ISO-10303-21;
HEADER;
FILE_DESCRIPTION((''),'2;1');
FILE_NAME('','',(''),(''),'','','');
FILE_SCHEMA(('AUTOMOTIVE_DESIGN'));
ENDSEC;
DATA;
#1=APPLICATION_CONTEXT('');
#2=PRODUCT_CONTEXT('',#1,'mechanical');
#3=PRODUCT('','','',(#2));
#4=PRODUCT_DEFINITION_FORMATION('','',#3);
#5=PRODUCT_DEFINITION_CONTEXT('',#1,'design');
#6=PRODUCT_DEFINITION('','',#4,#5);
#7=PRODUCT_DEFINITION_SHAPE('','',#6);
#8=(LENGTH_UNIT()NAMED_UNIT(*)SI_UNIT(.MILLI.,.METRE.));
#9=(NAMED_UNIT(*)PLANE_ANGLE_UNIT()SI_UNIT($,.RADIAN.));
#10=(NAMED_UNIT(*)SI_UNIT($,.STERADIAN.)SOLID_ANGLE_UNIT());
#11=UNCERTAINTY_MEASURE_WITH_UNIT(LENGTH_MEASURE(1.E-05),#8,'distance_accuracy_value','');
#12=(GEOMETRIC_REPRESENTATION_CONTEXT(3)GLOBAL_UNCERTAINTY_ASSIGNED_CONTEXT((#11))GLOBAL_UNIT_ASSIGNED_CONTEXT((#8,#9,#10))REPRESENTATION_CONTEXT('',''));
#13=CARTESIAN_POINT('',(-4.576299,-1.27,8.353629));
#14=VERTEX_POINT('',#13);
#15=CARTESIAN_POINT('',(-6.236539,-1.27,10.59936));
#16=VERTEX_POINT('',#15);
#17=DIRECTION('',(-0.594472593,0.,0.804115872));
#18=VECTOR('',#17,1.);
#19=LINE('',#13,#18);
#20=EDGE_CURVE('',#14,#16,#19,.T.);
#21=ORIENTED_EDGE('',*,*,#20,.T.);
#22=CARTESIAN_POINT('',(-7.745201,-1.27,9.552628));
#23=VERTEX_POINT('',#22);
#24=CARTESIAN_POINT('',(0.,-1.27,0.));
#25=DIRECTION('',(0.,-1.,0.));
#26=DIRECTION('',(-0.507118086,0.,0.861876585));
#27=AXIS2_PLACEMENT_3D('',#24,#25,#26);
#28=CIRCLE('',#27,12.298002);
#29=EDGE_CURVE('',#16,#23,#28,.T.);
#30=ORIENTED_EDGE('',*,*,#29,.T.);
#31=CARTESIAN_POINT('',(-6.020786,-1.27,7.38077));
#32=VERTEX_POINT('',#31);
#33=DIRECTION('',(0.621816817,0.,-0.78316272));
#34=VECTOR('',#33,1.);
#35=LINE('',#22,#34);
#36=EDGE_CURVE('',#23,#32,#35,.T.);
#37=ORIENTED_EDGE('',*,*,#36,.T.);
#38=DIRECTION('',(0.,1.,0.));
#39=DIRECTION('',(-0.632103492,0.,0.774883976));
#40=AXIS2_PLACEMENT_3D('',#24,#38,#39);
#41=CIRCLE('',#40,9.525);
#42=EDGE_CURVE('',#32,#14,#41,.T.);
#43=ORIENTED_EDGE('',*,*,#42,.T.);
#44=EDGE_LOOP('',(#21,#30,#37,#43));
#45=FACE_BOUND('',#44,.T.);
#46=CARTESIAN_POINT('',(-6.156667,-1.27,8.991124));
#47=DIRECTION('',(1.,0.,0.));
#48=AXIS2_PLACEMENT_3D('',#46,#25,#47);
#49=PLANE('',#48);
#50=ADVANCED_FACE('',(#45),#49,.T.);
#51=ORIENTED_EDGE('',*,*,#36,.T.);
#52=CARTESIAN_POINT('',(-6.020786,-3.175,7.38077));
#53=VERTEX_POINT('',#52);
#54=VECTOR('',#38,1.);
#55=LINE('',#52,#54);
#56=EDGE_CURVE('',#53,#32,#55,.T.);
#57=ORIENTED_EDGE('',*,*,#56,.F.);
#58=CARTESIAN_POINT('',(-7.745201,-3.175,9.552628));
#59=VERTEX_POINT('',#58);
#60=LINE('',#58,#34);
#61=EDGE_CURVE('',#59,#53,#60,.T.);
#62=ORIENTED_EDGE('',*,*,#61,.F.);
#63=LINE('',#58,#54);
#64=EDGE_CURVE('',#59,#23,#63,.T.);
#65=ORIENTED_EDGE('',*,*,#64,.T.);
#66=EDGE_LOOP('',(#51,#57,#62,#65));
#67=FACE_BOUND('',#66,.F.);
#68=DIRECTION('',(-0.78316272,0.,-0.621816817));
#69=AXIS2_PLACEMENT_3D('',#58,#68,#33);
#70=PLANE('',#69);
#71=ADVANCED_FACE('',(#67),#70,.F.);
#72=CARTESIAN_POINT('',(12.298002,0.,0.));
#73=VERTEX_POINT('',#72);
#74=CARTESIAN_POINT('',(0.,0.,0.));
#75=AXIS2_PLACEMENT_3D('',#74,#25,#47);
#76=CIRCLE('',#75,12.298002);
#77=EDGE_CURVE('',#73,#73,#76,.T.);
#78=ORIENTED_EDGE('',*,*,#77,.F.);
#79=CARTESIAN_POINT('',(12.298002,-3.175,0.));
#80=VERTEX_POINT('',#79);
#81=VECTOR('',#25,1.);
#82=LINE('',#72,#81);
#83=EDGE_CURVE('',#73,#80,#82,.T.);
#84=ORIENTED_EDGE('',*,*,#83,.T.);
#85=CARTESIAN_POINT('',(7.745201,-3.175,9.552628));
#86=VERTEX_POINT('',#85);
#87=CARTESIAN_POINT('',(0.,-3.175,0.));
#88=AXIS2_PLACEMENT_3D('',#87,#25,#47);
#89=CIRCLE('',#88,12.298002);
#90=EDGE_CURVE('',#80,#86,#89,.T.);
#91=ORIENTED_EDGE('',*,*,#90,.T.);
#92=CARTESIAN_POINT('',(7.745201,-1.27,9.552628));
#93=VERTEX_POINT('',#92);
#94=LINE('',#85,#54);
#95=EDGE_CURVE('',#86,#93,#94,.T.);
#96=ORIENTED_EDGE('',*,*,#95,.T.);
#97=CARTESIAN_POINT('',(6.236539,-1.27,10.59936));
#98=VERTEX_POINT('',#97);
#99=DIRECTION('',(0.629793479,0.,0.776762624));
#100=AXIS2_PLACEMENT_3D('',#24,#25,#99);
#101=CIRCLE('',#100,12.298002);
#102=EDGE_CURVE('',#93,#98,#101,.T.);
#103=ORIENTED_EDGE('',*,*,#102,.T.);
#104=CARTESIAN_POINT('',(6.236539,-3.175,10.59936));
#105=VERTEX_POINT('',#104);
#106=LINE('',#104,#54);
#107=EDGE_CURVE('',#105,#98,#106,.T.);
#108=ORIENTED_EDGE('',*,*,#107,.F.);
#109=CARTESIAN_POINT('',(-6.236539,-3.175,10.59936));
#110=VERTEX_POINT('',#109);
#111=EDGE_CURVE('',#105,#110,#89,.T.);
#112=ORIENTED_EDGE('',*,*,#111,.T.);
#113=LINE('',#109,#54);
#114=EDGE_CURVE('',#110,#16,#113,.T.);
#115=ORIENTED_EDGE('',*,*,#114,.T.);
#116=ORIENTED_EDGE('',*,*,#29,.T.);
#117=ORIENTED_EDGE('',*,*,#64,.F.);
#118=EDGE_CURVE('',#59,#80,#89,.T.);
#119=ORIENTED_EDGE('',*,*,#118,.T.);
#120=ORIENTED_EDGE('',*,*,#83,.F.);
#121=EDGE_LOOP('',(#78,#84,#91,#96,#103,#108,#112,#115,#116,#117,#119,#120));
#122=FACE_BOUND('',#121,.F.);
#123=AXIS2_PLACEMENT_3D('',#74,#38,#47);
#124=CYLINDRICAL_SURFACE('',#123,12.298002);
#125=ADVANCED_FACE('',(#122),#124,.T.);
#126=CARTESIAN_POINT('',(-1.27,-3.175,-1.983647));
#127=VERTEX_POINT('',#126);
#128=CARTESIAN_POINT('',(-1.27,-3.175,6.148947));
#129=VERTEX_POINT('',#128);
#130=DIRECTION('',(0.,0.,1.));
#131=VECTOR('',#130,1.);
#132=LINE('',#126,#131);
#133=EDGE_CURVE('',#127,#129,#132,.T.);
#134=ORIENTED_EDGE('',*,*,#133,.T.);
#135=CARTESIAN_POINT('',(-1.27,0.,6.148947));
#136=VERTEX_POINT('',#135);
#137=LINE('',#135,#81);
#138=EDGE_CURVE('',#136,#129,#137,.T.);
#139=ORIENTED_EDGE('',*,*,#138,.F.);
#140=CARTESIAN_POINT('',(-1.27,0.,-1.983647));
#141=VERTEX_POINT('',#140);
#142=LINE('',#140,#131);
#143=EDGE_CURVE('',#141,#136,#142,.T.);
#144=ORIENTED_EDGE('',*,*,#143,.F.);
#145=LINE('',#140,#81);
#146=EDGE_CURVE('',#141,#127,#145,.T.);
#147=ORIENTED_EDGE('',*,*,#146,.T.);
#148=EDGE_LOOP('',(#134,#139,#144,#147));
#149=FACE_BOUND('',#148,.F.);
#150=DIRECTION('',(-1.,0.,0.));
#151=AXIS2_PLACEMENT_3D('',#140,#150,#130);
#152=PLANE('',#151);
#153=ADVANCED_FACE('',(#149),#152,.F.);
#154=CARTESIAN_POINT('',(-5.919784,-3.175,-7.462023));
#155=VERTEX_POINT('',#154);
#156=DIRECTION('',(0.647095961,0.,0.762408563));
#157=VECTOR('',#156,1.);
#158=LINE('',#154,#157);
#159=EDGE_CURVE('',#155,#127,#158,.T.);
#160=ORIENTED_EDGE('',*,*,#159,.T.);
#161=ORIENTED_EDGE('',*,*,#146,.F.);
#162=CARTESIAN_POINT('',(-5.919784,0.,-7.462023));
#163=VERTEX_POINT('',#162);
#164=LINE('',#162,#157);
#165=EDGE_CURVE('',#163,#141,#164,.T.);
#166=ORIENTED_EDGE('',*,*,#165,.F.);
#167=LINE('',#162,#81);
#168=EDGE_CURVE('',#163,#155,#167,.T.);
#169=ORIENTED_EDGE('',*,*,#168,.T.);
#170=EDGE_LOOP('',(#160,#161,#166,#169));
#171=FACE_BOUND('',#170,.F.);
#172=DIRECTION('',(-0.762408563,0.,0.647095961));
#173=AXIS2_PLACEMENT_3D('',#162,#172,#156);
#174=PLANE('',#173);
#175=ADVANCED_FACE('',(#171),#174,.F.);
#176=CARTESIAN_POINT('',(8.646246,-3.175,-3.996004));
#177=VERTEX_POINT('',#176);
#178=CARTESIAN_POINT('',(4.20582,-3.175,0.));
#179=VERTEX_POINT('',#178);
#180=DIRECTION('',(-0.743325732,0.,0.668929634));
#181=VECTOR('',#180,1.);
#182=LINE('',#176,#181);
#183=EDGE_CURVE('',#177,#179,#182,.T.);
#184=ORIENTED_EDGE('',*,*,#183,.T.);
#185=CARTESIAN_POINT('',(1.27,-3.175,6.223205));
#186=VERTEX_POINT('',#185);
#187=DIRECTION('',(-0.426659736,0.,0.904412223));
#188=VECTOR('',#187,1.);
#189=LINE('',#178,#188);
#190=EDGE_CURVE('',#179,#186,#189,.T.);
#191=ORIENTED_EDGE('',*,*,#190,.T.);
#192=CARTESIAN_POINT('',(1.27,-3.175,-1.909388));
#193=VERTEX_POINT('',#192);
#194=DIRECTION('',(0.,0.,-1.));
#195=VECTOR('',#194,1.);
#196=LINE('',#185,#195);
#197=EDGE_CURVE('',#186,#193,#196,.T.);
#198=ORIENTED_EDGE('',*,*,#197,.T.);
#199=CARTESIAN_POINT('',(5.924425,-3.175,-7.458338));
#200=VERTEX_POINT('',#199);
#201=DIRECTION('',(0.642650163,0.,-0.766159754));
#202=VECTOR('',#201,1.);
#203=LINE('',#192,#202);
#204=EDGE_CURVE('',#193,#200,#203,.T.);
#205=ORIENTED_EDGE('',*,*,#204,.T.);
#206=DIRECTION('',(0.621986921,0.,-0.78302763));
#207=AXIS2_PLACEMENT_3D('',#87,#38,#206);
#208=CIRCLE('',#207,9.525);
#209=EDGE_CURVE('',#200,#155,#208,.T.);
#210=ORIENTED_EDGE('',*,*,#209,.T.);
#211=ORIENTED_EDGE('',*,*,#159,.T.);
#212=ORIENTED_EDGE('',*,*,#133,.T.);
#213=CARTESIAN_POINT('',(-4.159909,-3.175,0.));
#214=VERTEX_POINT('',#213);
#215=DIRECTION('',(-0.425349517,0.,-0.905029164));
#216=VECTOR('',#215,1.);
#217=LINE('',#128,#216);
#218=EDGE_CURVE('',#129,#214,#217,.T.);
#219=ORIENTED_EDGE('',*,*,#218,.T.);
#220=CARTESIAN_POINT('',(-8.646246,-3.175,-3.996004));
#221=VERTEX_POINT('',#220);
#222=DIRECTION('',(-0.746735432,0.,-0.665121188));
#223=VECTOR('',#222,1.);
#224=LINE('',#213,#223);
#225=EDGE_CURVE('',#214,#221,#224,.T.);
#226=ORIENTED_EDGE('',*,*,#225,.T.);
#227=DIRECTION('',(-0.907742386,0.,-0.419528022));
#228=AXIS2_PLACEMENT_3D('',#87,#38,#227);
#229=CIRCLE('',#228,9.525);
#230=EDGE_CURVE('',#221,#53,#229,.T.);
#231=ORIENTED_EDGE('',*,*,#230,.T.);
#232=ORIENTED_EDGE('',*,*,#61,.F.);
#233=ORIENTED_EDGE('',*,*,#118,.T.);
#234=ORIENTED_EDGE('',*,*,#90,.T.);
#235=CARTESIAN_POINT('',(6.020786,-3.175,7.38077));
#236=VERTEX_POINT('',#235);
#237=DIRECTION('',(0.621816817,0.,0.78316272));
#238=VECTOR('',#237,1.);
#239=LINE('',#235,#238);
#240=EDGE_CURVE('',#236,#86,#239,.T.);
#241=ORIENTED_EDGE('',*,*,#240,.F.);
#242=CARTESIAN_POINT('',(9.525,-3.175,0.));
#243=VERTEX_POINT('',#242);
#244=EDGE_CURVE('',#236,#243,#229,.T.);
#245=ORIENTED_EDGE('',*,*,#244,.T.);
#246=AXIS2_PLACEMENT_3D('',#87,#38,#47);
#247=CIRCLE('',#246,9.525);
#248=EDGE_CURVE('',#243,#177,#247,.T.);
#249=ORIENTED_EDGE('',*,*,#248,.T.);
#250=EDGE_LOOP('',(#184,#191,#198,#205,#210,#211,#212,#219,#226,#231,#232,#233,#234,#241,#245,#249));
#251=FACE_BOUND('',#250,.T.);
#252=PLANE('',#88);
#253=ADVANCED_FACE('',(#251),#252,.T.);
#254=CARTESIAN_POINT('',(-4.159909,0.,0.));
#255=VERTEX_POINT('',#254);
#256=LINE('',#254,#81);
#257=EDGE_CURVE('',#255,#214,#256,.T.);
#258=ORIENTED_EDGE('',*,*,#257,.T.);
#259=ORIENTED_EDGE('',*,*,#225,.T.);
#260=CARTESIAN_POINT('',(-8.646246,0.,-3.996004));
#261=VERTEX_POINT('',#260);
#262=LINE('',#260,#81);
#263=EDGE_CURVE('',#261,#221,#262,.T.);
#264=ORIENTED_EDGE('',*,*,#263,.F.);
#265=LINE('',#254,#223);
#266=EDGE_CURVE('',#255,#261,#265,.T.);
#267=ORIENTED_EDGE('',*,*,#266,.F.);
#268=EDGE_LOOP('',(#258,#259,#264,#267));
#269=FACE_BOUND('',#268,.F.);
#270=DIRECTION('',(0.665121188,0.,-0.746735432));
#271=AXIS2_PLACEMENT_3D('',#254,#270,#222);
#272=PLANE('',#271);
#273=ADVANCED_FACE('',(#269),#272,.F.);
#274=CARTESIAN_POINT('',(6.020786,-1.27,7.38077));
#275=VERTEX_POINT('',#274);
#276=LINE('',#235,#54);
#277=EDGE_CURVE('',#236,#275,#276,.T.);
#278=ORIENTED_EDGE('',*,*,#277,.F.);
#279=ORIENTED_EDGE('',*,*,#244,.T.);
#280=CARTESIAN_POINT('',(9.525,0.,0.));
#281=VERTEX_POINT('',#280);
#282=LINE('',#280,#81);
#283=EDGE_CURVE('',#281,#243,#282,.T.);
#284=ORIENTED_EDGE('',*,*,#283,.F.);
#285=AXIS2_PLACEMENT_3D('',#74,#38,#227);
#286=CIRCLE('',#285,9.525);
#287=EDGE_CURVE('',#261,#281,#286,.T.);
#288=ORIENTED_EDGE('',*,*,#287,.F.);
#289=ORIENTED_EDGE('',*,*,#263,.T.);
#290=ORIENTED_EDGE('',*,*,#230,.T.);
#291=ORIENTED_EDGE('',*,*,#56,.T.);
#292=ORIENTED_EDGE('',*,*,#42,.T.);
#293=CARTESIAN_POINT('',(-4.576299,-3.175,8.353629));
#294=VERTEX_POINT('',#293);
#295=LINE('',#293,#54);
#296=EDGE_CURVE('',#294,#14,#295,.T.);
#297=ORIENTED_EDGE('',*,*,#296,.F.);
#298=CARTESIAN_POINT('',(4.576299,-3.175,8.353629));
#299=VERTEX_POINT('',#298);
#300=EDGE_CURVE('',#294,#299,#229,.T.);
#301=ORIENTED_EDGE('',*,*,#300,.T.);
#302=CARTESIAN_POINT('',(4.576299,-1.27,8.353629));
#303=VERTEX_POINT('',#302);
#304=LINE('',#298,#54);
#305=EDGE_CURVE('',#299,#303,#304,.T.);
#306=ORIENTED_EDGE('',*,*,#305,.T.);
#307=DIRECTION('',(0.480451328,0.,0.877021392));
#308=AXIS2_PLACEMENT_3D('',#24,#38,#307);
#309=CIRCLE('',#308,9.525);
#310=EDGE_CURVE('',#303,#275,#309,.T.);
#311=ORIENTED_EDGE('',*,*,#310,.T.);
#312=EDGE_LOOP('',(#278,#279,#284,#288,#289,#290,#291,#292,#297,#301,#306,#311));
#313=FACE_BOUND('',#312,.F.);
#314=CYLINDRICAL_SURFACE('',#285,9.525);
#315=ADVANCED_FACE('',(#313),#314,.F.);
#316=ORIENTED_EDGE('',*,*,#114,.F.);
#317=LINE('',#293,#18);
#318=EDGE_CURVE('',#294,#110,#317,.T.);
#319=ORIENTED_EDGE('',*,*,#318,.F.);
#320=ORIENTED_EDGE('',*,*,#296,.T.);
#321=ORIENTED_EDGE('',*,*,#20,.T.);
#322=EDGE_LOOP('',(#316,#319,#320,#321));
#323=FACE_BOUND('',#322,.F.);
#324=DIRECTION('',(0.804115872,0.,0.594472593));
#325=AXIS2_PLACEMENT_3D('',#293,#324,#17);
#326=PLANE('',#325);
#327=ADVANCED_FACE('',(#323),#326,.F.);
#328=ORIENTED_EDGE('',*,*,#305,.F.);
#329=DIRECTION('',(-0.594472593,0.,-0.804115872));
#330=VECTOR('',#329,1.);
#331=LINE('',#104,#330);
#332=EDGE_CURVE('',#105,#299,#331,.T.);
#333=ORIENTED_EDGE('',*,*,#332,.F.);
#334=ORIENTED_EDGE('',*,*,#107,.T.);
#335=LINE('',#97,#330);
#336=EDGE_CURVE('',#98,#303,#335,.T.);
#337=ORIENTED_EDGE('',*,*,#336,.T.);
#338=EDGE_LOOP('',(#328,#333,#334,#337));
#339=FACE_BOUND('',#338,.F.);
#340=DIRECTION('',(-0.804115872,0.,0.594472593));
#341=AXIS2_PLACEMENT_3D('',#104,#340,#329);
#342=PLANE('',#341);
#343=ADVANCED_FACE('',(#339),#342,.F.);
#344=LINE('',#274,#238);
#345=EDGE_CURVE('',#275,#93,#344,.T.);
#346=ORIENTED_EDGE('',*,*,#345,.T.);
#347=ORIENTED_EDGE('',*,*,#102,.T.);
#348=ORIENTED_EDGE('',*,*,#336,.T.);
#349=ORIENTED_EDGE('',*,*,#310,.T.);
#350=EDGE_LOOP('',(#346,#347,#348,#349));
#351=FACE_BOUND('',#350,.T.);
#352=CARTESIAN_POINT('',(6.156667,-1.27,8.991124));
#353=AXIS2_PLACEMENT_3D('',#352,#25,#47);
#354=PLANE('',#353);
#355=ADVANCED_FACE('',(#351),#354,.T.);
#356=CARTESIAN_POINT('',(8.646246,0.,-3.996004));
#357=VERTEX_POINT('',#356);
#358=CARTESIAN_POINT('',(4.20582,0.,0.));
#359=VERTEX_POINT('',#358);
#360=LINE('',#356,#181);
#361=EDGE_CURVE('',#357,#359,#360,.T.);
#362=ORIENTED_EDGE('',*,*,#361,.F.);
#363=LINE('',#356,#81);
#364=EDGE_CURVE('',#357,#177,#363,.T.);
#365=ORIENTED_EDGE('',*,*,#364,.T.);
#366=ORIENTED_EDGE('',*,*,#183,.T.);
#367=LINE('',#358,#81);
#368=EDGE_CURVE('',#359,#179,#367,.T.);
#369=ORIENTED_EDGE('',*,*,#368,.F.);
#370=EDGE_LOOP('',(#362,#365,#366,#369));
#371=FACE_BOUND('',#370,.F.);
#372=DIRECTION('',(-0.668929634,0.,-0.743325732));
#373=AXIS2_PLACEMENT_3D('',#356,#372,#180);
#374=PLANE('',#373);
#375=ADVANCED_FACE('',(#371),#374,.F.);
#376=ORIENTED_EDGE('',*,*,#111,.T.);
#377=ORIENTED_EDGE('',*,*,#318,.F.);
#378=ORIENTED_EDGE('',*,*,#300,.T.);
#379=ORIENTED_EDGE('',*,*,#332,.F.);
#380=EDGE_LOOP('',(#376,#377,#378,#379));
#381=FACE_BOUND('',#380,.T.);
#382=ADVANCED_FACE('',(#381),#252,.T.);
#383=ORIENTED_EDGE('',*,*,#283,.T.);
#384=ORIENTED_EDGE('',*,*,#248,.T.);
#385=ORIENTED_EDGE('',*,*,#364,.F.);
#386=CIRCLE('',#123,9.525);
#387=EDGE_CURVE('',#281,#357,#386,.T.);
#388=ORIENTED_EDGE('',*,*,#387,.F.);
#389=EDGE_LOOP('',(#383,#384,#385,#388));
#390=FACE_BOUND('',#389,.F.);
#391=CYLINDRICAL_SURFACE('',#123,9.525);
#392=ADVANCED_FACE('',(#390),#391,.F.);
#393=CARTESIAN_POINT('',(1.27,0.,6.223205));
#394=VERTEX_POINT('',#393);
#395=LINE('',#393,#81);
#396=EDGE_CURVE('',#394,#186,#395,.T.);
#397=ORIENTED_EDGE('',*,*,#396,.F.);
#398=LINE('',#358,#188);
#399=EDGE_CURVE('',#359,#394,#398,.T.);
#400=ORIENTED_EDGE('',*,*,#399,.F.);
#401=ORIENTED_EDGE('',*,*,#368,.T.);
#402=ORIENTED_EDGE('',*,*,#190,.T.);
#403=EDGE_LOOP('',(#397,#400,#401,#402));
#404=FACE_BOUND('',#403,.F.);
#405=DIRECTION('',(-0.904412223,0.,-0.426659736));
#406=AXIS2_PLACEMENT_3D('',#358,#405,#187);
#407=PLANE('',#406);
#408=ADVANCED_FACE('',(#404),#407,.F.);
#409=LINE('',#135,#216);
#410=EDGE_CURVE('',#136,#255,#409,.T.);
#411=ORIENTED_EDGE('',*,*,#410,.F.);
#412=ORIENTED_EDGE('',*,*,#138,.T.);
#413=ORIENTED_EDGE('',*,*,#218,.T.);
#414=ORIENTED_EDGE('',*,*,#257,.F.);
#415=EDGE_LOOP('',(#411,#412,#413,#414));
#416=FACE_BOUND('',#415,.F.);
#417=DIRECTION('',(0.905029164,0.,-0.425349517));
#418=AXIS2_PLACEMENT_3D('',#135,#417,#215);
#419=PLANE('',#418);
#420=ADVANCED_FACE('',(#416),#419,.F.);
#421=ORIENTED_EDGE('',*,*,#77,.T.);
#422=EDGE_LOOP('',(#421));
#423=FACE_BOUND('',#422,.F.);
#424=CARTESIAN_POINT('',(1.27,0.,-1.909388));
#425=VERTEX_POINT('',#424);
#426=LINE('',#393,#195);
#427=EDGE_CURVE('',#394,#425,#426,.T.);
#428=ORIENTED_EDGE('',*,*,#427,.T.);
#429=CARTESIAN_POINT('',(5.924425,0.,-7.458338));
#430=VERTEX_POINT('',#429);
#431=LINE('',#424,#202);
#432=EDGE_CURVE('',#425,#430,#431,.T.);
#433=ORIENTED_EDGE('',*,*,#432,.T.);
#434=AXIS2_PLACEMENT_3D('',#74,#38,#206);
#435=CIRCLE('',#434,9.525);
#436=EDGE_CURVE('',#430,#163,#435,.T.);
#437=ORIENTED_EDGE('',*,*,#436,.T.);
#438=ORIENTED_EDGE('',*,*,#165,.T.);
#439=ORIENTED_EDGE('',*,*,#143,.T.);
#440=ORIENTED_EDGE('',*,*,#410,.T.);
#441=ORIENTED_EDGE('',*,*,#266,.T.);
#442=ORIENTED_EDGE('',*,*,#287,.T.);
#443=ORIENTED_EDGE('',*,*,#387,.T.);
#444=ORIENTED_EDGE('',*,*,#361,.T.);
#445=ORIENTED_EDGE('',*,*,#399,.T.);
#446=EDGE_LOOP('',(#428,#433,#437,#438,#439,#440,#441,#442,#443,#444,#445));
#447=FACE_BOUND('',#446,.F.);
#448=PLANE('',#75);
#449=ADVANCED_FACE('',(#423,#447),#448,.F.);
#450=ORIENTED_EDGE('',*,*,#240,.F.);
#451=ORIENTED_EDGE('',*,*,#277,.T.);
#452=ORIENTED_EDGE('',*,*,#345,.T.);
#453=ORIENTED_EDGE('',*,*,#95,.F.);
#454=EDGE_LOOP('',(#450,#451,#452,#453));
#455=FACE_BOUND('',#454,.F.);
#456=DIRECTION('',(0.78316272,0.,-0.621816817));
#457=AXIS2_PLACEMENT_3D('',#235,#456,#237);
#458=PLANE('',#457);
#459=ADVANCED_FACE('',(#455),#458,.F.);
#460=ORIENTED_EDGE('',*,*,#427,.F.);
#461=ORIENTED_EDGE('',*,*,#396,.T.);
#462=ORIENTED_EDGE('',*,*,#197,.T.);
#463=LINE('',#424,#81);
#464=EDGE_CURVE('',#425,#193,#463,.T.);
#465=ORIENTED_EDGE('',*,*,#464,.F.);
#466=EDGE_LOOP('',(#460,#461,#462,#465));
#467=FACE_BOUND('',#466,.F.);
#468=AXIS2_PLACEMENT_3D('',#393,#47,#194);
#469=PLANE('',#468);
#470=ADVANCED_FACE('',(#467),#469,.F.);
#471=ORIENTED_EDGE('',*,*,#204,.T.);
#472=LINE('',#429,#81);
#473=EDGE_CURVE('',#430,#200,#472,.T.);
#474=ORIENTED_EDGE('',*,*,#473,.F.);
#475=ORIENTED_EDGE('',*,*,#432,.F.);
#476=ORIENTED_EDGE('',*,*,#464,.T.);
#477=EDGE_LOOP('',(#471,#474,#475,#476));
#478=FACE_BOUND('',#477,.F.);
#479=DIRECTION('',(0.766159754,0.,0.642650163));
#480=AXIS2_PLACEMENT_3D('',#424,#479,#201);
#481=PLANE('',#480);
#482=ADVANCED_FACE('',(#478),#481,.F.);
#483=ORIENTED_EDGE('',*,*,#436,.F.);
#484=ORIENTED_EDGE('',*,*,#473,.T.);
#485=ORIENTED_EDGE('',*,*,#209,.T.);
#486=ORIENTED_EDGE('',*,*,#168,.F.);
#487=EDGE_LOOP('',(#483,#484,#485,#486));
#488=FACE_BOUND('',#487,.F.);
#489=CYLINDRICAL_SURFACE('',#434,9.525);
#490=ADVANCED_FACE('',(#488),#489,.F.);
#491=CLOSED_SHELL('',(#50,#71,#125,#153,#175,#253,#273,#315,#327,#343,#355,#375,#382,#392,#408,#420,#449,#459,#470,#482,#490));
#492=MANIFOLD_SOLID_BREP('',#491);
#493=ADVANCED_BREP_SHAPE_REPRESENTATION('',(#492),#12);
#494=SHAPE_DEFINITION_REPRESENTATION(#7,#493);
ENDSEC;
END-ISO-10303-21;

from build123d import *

# Parameters (mm, degrees)
F0_R     = 12.298001529
F1_DEPTH = 3.175
F3_DEPTH = 1.905


with BuildPart() as f1:
    # F0 (on Front) → F1 (new body)
    with BuildSketch(Plane.XZ):
        Circle(F0_R)
        with BuildLine():
            ThreePointArc((-8.6462462248, -3.9960044069), (-2.0457431057, 9.3027178903), (9.525, 0))
            ThreePointArc((9.525, 0), (9.3027178903, -2.0457431057), (8.6462462248, -3.9960044069))
            ThreePointArc((8.6462462248, -3.9960044069), (7.4881945006, -5.8866431963), (5.9244254269, -7.4583381769))
            ThreePointArc((5.9244254269, -7.4583381769), (0.0029631187, -9.5249995391), (-5.9197838727, -7.4620227754))
            ThreePointArc((-5.9197838727, -7.4620227754), (-7.4863628708, -5.8889724033), (-8.6462462248, -3.9960044069))
        make_face(mode=Mode.SUBTRACT)
        with BuildLine():
            ThreePointArc((5.9244254269, -7.4583381769), (7.4881945006, -5.8866431963), (8.6462462248, -3.9960044069))
            Line((8.6462462248, -3.9960044069), (4.205819685, 0))
            Line((4.205819685, 0), (1.27, 6.223205477))
            Line((1.27, 6.223205477), (1.27, 2.6581143029))
            Line((1.27, 2.6581143029), (1.27, -1.9093884621))
            Line((1.27, -1.9093884621), (5.9244254269, -7.4583381769))
        make_face()
        with BuildLine():
            Line((-4.1599088036, 0), (-8.6462462248, -3.9960044069))
            ThreePointArc((-8.6462462248, -3.9960044069), (-7.4863628708, -5.8889724033), (-5.9197838727, -7.4620227754))
            Line((-5.9197838727, -7.4620227754), (-1.27, -1.983646679))
            Line((-1.27, -1.983646679), (-1.27, 2.583856086))
            Line((-1.27, 2.583856086), (-1.27, 6.1489472601))
            Line((-1.27, 6.1489472601), (-4.1599088036, 0))
        make_face()
    extrude(amount=F1_DEPTH)

    # F2 (on face) → F3 (cut)
    with BuildSketch(Plane.XZ.offset(3.175)):
        with BuildLine():
            ThreePointArc((-6.0207857573, 7.3807698693), (-5.3208236586, 7.9002823111), (-4.5762988988, 8.3536287558))
            Line((-4.5762988988, 8.3536287558), (-6.2365389931, 10.5993595559))
            ThreePointArc((-6.2365389931, 10.5993595559), (-7.0104333877, 10.1041904834), (-7.7452011718, 9.5526279325))
            Line((-7.7452011718, 9.5526279325), (-6.0207857573, 7.3807698693))
        make_face()
        with BuildLine():
            Line((6.2365389931, 10.5993595559), (4.5762988988, 8.3536287558))
            ThreePointArc((4.5762988988, 8.3536287558), (5.3208236586, 7.9002823111), (6.0207857573, 7.3807698693))
            Line((6.0207857573, 7.3807698693), (7.7452011718, 9.5526279325))
            ThreePointArc((7.7452011718, 9.5526279325), (7.0104333877, 10.1041904834), (6.2365389931, 10.5993595559))
        make_face()
    extrude(amount=-F3_DEPTH, mode=Mode.SUBTRACT)


solid = f1.part
